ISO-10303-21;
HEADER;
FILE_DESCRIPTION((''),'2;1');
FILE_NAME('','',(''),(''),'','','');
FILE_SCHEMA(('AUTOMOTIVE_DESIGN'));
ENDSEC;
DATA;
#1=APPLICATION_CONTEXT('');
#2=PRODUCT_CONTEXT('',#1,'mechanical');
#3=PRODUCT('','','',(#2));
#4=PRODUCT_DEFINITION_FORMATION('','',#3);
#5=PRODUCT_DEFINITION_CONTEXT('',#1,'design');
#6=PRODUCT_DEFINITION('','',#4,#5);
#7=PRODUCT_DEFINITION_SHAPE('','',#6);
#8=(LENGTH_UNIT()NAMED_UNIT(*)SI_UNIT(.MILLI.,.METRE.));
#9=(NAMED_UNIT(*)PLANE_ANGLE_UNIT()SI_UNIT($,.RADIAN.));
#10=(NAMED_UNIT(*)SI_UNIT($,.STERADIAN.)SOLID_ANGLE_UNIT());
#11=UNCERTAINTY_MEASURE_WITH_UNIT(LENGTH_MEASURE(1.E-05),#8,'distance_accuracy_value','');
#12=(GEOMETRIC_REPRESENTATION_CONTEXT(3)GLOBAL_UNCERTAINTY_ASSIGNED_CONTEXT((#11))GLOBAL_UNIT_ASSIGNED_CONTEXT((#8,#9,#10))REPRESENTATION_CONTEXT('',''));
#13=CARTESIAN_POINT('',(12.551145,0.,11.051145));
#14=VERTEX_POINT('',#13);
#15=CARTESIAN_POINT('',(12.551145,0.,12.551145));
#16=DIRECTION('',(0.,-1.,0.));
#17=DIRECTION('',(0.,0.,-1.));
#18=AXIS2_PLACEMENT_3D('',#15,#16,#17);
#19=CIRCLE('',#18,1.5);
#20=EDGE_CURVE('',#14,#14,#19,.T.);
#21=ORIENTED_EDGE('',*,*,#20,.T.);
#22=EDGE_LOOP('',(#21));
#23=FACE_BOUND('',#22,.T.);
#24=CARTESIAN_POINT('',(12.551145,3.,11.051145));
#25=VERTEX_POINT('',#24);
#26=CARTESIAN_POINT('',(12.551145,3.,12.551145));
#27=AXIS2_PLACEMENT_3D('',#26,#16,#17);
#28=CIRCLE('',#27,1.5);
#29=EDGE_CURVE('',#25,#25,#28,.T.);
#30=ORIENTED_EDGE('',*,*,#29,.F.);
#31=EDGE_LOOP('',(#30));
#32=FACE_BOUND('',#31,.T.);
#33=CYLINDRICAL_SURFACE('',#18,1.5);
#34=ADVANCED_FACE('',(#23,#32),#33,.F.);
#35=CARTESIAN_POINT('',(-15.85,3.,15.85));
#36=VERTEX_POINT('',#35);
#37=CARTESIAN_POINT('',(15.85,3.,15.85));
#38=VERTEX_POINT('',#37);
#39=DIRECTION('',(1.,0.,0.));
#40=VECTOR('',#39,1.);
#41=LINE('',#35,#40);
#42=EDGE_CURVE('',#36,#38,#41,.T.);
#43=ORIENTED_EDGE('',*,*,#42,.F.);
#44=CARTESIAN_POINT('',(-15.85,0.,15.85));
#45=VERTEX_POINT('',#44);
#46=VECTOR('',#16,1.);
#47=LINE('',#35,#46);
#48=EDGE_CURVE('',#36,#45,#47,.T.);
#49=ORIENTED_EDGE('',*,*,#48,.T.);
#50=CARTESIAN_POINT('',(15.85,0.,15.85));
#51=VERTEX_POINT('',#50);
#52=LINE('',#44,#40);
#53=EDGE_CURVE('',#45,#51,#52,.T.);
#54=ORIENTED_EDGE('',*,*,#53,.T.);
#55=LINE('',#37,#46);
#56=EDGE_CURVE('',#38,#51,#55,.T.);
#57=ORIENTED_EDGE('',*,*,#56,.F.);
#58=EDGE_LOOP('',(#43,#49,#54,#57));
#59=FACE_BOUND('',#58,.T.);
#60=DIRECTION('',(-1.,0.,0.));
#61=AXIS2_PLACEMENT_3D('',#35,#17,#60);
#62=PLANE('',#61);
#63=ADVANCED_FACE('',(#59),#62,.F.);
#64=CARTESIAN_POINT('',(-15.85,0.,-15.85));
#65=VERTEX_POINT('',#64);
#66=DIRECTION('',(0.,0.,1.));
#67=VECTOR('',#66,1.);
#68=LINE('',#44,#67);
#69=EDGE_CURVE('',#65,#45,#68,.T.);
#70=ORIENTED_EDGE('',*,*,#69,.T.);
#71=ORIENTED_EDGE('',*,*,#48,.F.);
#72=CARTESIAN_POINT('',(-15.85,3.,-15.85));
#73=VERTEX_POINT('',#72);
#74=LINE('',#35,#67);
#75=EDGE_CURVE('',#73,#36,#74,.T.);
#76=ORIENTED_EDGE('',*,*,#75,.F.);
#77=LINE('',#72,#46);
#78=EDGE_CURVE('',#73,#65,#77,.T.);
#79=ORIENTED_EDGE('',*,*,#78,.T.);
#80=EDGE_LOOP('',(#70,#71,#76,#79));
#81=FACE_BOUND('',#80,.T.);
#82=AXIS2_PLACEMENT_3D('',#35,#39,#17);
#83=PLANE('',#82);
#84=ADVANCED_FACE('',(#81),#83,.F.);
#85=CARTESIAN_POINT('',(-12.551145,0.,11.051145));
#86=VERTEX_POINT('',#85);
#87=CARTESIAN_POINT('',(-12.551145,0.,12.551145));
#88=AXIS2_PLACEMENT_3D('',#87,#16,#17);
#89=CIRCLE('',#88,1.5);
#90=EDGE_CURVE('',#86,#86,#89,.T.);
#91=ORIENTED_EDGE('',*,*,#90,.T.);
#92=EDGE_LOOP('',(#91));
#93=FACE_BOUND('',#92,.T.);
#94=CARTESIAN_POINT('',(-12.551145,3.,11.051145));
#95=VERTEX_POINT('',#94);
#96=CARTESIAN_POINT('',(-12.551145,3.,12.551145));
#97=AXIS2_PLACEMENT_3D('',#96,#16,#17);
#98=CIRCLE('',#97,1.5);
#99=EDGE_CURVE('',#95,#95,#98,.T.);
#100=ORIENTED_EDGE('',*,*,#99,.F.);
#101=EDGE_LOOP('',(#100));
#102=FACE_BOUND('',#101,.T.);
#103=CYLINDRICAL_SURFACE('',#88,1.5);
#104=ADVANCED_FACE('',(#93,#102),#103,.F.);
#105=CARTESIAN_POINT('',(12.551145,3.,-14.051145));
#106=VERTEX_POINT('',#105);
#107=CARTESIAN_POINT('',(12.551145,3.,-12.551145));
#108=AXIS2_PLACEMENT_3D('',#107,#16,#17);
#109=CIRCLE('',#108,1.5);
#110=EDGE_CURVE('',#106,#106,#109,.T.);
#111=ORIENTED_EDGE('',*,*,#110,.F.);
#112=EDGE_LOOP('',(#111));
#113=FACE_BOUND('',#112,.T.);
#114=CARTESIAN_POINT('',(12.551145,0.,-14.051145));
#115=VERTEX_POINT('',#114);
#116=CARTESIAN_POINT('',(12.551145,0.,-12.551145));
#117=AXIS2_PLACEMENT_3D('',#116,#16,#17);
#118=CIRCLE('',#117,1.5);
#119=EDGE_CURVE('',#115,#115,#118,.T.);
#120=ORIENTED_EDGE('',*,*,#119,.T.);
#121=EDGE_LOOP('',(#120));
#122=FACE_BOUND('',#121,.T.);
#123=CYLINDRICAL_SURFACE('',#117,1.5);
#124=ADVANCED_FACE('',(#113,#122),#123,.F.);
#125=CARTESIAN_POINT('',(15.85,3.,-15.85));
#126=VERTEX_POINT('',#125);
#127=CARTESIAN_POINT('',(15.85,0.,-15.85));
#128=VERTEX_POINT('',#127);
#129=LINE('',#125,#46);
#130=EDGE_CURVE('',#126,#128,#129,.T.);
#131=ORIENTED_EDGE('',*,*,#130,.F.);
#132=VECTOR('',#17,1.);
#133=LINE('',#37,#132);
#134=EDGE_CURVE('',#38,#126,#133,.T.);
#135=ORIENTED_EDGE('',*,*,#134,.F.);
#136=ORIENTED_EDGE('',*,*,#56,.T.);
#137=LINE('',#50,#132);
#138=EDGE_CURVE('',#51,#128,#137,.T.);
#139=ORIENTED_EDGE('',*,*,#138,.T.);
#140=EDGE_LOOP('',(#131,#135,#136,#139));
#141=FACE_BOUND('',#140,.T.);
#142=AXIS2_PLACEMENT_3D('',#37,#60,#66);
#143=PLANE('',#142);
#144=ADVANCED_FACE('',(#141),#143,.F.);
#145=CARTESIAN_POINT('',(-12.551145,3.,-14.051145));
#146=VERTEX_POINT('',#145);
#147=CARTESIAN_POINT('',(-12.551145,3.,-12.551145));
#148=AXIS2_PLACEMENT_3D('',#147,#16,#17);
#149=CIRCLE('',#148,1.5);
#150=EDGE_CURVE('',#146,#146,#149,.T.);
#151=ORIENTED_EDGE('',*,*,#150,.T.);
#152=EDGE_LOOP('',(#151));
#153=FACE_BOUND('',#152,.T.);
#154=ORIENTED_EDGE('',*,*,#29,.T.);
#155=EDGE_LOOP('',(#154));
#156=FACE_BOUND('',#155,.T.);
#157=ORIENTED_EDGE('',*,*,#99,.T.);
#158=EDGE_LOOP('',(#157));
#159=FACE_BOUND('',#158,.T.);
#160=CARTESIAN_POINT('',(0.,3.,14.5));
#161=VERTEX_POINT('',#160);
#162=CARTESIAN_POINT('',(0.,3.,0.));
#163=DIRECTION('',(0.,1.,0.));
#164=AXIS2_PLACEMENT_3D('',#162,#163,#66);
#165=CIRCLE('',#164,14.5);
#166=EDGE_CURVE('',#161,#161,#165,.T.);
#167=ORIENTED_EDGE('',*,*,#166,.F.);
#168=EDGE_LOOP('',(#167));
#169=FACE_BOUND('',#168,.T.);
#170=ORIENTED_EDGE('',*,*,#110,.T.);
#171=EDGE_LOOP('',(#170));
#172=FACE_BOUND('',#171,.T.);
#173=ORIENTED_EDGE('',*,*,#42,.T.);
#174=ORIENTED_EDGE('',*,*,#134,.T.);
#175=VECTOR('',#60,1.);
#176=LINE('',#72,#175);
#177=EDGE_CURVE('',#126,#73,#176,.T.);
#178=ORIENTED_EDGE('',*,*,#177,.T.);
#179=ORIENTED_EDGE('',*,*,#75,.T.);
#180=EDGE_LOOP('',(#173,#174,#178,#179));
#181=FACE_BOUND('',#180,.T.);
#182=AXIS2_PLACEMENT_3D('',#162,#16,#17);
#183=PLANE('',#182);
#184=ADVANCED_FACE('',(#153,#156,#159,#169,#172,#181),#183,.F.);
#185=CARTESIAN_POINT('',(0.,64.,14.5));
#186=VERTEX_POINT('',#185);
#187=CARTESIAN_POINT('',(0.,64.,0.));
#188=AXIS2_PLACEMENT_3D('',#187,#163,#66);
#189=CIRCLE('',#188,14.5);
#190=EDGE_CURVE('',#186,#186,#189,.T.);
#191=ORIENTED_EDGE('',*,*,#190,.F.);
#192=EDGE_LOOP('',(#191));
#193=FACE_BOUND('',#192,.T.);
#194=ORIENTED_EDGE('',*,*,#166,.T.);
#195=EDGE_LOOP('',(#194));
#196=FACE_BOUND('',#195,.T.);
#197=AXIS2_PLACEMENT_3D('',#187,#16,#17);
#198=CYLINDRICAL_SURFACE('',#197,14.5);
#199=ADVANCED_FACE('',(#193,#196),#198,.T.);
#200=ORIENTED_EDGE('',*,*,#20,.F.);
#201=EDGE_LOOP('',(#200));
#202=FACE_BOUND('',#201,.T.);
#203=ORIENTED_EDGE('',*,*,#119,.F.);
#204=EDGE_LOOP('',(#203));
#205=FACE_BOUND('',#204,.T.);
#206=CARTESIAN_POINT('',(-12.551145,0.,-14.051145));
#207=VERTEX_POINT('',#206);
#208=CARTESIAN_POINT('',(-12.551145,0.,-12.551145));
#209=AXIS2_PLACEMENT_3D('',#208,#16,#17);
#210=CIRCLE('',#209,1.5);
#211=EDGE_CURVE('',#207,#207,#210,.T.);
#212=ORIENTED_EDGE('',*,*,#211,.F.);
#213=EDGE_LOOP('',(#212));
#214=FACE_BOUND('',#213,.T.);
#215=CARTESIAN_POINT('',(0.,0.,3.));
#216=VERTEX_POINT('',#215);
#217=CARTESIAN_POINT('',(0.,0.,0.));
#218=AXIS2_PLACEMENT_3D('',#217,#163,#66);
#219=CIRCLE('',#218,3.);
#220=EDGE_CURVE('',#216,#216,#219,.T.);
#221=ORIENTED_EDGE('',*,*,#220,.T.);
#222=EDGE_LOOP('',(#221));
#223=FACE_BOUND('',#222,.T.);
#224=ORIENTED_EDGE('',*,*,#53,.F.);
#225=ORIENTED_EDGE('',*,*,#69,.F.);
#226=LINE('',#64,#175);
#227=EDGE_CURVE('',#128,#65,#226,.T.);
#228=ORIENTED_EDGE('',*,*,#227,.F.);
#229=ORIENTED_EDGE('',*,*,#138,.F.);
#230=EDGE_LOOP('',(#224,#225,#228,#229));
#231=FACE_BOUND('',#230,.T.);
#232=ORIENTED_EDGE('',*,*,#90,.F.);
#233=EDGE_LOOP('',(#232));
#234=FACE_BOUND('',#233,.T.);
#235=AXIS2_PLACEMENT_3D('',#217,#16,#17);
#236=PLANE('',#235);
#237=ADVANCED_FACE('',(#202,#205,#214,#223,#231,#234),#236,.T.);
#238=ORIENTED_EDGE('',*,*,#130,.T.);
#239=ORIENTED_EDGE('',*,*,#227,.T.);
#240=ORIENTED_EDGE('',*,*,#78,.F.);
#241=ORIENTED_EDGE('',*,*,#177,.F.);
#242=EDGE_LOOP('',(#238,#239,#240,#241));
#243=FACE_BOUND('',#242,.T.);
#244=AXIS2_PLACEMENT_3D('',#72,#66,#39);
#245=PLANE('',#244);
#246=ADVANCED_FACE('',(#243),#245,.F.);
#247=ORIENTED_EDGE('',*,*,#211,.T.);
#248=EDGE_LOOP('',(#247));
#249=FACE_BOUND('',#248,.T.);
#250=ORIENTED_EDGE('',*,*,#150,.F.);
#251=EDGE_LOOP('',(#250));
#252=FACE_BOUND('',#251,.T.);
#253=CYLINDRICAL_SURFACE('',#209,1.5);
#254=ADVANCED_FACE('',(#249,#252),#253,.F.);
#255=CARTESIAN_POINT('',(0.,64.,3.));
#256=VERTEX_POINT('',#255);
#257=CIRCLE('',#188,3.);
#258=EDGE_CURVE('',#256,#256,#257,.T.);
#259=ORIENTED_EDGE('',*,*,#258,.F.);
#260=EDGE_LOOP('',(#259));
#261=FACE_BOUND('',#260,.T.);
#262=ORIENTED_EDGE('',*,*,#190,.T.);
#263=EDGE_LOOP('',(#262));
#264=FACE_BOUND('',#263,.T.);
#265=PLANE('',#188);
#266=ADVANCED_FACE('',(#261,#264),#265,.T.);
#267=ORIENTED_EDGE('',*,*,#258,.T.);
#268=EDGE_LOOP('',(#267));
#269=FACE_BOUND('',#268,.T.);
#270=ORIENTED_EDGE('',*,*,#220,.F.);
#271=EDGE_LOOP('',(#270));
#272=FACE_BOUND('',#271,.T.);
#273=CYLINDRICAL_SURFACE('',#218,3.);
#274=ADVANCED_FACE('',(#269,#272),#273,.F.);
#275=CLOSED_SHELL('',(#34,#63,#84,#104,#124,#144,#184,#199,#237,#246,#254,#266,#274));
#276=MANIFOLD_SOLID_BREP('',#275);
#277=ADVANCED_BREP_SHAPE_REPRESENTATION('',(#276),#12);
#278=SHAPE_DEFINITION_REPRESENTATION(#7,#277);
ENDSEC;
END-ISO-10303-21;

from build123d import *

# Parameters (mm, degrees)
SKETCH1_W             = 31.7
SKETCH1_H             = 31.7
BOSS_EXTRUDE1_DEPTH   = 3
SKETCH2_R             = 14.5
BOSS_EXTRUDE2_DEPTH   = 61
F_3_0MM_DOWEL_HOLE1_D = 3
SKETCH6_R             = 3
CUT_EXTRUDE1_DEPTH    = 65


with BuildPart() as part:
    # Sketch1 → Boss-Extrude1 (new body)
    with BuildSketch(Plane(origin=(0, 0, 0), x_dir=(1, 0, 0), z_dir=(0, 1, 0))):
        Rectangle(SKETCH1_W, SKETCH1_H)
    extrude(amount=BOSS_EXTRUDE1_DEPTH)

    # Sketch2 → Boss-Extrude2 (add)
    with BuildSketch(Plane(origin=(0, 3, 0), x_dir=(1, 0, 0), z_dir=(0, 1, 0))):
        Circle(SKETCH2_R)
    extrude(amount=BOSS_EXTRUDE2_DEPTH)

    # Ø3.0mm Dowel Hole1 (through all)
    with Locations(Plane(origin=(0, 0, 0), x_dir=(-1, 0, 0), z_dir=(0, -1, 0))):
        with Locations((12.551145366, -12.551145366), (-12.551145366, -12.551145366), (12.551145366, 12.551145366), (-12.551145366, 12.551145366)):
            Hole(F_3_0MM_DOWEL_HOLE1_D / 2)

    # Sketch6 → Cut-Extrude1 (cut, through all)
    with BuildSketch(Plane(origin=(0, 64, 0), x_dir=(1, 0, 0), z_dir=(0, 1, 0))):
        Circle(SKETCH6_R)
    extrude(amount=-CUT_EXTRUDE1_DEPTH, mode=Mode.SUBTRACT)


solid = part.part
